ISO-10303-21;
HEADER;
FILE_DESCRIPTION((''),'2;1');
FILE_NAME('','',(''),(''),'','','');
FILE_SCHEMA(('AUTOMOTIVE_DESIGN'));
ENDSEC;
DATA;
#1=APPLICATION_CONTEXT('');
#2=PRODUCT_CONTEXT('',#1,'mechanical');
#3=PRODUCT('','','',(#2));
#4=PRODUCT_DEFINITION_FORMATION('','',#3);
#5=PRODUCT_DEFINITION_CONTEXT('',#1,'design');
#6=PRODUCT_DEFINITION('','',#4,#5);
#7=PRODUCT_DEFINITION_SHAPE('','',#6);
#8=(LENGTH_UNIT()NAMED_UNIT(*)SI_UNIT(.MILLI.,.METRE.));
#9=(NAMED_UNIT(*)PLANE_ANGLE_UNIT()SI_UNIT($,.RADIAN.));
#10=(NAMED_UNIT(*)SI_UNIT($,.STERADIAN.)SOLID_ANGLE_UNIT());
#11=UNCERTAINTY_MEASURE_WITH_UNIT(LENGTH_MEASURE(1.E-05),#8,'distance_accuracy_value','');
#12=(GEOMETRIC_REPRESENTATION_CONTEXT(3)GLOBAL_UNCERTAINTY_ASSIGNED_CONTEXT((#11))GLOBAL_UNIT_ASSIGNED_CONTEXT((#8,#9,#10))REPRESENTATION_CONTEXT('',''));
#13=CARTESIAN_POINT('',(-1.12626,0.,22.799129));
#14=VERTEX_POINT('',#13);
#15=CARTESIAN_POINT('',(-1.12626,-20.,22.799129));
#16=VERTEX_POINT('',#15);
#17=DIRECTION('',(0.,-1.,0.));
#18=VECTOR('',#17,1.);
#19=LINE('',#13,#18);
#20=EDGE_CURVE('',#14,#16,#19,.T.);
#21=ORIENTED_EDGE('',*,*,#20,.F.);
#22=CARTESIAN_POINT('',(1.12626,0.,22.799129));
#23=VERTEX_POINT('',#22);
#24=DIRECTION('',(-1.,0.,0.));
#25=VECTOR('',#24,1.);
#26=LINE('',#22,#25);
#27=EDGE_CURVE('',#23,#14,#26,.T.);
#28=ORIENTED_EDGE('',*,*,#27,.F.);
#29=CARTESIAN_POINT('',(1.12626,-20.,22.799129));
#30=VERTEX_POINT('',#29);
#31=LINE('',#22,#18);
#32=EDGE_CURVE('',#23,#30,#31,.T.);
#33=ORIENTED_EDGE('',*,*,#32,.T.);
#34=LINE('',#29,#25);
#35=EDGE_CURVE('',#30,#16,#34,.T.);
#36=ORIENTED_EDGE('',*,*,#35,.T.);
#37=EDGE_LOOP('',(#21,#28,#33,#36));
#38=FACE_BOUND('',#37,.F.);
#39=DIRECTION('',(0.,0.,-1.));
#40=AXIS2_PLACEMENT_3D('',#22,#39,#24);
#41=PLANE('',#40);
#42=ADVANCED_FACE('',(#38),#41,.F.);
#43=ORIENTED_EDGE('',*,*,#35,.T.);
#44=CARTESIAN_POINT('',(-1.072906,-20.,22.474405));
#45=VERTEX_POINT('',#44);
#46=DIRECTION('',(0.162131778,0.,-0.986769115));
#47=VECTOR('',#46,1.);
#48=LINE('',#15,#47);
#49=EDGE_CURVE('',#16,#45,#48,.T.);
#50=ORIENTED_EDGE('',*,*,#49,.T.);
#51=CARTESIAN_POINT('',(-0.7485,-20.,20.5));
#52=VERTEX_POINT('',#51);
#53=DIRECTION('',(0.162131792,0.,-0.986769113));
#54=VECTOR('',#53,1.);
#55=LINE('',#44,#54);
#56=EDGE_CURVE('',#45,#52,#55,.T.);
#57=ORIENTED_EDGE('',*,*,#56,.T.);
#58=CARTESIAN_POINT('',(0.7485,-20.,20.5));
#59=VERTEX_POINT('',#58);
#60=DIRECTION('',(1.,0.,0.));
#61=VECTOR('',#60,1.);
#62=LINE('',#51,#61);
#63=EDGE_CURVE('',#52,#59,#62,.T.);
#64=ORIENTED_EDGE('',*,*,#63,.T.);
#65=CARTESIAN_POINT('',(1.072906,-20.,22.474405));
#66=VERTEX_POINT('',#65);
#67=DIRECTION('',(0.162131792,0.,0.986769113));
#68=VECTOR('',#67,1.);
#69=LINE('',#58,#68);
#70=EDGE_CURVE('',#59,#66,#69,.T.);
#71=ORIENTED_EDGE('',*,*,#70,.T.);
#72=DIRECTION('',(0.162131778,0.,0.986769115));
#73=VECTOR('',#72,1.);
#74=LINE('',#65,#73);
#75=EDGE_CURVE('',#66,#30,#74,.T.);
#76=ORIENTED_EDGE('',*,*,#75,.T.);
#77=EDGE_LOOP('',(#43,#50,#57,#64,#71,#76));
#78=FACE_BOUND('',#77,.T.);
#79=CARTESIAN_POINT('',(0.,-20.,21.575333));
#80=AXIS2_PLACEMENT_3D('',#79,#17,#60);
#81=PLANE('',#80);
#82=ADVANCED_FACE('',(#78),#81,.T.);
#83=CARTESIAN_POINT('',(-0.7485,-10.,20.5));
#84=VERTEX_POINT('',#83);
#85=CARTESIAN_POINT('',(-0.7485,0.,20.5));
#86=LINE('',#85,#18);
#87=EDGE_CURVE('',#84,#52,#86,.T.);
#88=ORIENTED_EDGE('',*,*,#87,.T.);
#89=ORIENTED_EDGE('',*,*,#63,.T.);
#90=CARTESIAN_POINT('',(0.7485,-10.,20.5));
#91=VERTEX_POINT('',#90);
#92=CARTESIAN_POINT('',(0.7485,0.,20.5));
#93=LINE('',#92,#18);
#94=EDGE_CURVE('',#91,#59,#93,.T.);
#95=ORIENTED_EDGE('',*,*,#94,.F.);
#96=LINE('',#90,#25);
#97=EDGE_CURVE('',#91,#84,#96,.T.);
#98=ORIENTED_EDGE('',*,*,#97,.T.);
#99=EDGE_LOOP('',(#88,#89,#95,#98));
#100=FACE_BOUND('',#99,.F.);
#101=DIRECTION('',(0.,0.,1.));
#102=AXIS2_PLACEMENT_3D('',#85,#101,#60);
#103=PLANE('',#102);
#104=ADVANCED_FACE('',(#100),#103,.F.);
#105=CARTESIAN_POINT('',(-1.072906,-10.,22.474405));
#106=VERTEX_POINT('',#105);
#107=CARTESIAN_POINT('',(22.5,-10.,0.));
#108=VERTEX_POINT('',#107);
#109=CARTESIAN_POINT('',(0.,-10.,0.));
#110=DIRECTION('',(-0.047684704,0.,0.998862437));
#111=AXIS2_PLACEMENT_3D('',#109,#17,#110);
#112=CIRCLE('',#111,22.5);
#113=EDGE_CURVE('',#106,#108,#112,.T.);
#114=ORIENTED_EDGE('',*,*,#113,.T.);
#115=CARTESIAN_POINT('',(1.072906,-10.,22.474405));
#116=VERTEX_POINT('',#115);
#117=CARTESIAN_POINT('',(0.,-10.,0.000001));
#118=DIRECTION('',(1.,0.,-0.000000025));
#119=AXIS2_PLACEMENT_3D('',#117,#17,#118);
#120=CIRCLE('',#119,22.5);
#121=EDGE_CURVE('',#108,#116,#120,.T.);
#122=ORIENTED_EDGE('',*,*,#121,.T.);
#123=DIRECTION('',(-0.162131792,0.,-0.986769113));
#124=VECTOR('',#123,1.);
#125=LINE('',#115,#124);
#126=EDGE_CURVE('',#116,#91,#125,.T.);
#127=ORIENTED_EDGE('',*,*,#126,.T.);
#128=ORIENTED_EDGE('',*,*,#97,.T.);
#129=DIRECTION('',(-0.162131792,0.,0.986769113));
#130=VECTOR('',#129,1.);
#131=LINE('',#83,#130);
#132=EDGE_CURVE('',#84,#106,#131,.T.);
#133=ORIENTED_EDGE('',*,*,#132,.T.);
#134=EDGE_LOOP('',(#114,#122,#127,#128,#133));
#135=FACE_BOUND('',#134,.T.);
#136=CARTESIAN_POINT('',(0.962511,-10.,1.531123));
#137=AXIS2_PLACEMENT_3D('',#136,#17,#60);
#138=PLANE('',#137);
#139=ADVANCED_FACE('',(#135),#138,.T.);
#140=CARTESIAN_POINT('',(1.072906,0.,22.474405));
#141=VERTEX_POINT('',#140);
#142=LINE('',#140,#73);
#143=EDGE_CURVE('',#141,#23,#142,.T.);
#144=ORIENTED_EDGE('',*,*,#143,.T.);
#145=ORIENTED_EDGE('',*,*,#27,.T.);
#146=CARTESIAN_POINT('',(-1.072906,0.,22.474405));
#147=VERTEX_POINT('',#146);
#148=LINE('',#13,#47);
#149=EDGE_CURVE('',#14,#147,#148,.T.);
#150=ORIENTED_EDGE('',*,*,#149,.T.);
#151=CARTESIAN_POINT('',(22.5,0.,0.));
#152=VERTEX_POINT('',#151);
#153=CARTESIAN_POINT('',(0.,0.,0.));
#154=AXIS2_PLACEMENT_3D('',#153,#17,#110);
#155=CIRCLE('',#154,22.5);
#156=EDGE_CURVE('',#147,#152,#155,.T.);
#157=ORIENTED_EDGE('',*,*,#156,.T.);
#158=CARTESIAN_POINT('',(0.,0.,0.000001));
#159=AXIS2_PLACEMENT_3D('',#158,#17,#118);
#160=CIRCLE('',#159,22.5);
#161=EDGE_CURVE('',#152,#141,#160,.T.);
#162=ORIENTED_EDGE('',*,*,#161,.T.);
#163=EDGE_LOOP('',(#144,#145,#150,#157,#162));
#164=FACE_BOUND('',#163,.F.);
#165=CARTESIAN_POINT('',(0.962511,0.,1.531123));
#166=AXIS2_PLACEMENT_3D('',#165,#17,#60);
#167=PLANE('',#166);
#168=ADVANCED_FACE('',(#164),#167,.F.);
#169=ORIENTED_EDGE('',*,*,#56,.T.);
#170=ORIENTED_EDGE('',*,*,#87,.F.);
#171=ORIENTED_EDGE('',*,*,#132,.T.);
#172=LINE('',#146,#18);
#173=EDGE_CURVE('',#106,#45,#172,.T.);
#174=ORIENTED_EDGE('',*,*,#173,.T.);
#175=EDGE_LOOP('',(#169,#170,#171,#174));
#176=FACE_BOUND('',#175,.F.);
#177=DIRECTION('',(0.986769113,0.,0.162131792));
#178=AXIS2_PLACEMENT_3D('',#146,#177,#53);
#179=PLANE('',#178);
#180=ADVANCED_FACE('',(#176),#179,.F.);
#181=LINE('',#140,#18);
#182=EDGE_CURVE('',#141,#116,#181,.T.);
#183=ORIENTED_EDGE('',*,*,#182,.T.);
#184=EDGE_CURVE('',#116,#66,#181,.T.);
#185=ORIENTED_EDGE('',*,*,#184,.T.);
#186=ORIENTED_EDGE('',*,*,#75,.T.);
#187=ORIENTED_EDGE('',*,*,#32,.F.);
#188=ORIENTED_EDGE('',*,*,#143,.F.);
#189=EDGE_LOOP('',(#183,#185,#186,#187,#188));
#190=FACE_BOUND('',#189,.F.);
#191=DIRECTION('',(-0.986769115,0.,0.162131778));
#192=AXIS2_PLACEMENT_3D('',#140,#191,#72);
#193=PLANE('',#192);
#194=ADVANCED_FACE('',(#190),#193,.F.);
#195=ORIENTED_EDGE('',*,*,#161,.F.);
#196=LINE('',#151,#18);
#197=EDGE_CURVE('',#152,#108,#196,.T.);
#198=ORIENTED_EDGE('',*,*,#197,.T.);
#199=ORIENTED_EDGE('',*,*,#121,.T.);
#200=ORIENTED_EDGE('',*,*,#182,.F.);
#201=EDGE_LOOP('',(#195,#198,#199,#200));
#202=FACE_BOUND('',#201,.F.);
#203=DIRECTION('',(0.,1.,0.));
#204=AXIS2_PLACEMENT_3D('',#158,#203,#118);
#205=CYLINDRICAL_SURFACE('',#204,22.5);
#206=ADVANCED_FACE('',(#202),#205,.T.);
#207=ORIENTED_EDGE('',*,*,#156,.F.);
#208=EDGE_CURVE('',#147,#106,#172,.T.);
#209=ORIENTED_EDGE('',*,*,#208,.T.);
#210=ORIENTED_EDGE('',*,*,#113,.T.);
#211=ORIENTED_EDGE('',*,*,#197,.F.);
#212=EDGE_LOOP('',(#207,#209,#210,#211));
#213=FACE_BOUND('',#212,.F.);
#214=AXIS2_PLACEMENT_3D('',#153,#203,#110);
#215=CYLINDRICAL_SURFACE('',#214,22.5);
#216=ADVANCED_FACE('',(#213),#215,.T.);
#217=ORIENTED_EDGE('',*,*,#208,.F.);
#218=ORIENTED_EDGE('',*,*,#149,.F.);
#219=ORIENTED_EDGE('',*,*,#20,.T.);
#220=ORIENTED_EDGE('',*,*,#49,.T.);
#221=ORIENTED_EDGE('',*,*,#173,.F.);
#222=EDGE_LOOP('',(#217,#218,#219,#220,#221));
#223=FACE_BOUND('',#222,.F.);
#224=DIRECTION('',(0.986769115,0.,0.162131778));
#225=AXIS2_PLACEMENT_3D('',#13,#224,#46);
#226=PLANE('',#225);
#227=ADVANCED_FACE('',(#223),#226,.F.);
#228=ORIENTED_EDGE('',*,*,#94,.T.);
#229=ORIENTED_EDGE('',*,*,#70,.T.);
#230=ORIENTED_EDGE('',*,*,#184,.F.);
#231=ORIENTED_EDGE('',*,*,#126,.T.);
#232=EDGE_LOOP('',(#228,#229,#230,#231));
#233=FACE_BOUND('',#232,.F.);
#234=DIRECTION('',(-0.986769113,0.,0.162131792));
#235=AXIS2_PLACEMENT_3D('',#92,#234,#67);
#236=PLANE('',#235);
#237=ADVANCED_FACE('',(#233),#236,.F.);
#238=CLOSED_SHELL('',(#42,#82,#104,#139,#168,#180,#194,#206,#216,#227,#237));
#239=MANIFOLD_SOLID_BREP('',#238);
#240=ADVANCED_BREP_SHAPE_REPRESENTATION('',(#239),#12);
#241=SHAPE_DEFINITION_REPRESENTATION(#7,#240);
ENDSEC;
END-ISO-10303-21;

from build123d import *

# Parameters (mm, degrees)
F1_DEPTH = 20
F2_DEPTH = 10


with BuildPart() as f1:
    # F0 (on Front) → F1 (new body)
    with BuildSketch(Plane.XZ):
        with BuildLine():
            Line((0.7485, 20.5), (1.072906, 22.474405))
            ThreePointArc((1.072906, 22.474405), (0, 22.5), (-1.072906, 22.474405))
            Line((-1.072906, 22.474405), (-0.7485, 20.5))
            Line((-0.7485, 20.5), (0.7485, 20.5))
        make_face()
        with BuildLine():
            ThreePointArc((-1.072906, 22.474405), (0, 22.5), (1.072906, 22.474405))
            Line((1.072906, 22.474405), (1.12626, 22.799129))
            Line((1.12626, 22.799129), (-1.12626, 22.799129))
            Line((-1.12626, 22.799129), (-1.072906, 22.474405))
        make_face()
    extrude(amount=F1_DEPTH)

    # F0 (on Front) → F2 (join)
    with BuildSketch(Plane.XZ):
        with BuildLine():
            ThreePointArc((-1.072906, 22.474405), (-15.52594, -16.284815), (22.5, 0))
            ThreePointArc((22.5, 0), (16.284815, 15.52594), (1.072906, 22.474405))
            Line((1.072906, 22.474405), (0.7485, 20.5))
            Line((0.7485, 20.5), (-0.7485, 20.5))
            Line((-0.7485, 20.5), (-1.072906, 22.474405))
        make_face()
    extrude(amount=F2_DEPTH)


solid = f1.part
